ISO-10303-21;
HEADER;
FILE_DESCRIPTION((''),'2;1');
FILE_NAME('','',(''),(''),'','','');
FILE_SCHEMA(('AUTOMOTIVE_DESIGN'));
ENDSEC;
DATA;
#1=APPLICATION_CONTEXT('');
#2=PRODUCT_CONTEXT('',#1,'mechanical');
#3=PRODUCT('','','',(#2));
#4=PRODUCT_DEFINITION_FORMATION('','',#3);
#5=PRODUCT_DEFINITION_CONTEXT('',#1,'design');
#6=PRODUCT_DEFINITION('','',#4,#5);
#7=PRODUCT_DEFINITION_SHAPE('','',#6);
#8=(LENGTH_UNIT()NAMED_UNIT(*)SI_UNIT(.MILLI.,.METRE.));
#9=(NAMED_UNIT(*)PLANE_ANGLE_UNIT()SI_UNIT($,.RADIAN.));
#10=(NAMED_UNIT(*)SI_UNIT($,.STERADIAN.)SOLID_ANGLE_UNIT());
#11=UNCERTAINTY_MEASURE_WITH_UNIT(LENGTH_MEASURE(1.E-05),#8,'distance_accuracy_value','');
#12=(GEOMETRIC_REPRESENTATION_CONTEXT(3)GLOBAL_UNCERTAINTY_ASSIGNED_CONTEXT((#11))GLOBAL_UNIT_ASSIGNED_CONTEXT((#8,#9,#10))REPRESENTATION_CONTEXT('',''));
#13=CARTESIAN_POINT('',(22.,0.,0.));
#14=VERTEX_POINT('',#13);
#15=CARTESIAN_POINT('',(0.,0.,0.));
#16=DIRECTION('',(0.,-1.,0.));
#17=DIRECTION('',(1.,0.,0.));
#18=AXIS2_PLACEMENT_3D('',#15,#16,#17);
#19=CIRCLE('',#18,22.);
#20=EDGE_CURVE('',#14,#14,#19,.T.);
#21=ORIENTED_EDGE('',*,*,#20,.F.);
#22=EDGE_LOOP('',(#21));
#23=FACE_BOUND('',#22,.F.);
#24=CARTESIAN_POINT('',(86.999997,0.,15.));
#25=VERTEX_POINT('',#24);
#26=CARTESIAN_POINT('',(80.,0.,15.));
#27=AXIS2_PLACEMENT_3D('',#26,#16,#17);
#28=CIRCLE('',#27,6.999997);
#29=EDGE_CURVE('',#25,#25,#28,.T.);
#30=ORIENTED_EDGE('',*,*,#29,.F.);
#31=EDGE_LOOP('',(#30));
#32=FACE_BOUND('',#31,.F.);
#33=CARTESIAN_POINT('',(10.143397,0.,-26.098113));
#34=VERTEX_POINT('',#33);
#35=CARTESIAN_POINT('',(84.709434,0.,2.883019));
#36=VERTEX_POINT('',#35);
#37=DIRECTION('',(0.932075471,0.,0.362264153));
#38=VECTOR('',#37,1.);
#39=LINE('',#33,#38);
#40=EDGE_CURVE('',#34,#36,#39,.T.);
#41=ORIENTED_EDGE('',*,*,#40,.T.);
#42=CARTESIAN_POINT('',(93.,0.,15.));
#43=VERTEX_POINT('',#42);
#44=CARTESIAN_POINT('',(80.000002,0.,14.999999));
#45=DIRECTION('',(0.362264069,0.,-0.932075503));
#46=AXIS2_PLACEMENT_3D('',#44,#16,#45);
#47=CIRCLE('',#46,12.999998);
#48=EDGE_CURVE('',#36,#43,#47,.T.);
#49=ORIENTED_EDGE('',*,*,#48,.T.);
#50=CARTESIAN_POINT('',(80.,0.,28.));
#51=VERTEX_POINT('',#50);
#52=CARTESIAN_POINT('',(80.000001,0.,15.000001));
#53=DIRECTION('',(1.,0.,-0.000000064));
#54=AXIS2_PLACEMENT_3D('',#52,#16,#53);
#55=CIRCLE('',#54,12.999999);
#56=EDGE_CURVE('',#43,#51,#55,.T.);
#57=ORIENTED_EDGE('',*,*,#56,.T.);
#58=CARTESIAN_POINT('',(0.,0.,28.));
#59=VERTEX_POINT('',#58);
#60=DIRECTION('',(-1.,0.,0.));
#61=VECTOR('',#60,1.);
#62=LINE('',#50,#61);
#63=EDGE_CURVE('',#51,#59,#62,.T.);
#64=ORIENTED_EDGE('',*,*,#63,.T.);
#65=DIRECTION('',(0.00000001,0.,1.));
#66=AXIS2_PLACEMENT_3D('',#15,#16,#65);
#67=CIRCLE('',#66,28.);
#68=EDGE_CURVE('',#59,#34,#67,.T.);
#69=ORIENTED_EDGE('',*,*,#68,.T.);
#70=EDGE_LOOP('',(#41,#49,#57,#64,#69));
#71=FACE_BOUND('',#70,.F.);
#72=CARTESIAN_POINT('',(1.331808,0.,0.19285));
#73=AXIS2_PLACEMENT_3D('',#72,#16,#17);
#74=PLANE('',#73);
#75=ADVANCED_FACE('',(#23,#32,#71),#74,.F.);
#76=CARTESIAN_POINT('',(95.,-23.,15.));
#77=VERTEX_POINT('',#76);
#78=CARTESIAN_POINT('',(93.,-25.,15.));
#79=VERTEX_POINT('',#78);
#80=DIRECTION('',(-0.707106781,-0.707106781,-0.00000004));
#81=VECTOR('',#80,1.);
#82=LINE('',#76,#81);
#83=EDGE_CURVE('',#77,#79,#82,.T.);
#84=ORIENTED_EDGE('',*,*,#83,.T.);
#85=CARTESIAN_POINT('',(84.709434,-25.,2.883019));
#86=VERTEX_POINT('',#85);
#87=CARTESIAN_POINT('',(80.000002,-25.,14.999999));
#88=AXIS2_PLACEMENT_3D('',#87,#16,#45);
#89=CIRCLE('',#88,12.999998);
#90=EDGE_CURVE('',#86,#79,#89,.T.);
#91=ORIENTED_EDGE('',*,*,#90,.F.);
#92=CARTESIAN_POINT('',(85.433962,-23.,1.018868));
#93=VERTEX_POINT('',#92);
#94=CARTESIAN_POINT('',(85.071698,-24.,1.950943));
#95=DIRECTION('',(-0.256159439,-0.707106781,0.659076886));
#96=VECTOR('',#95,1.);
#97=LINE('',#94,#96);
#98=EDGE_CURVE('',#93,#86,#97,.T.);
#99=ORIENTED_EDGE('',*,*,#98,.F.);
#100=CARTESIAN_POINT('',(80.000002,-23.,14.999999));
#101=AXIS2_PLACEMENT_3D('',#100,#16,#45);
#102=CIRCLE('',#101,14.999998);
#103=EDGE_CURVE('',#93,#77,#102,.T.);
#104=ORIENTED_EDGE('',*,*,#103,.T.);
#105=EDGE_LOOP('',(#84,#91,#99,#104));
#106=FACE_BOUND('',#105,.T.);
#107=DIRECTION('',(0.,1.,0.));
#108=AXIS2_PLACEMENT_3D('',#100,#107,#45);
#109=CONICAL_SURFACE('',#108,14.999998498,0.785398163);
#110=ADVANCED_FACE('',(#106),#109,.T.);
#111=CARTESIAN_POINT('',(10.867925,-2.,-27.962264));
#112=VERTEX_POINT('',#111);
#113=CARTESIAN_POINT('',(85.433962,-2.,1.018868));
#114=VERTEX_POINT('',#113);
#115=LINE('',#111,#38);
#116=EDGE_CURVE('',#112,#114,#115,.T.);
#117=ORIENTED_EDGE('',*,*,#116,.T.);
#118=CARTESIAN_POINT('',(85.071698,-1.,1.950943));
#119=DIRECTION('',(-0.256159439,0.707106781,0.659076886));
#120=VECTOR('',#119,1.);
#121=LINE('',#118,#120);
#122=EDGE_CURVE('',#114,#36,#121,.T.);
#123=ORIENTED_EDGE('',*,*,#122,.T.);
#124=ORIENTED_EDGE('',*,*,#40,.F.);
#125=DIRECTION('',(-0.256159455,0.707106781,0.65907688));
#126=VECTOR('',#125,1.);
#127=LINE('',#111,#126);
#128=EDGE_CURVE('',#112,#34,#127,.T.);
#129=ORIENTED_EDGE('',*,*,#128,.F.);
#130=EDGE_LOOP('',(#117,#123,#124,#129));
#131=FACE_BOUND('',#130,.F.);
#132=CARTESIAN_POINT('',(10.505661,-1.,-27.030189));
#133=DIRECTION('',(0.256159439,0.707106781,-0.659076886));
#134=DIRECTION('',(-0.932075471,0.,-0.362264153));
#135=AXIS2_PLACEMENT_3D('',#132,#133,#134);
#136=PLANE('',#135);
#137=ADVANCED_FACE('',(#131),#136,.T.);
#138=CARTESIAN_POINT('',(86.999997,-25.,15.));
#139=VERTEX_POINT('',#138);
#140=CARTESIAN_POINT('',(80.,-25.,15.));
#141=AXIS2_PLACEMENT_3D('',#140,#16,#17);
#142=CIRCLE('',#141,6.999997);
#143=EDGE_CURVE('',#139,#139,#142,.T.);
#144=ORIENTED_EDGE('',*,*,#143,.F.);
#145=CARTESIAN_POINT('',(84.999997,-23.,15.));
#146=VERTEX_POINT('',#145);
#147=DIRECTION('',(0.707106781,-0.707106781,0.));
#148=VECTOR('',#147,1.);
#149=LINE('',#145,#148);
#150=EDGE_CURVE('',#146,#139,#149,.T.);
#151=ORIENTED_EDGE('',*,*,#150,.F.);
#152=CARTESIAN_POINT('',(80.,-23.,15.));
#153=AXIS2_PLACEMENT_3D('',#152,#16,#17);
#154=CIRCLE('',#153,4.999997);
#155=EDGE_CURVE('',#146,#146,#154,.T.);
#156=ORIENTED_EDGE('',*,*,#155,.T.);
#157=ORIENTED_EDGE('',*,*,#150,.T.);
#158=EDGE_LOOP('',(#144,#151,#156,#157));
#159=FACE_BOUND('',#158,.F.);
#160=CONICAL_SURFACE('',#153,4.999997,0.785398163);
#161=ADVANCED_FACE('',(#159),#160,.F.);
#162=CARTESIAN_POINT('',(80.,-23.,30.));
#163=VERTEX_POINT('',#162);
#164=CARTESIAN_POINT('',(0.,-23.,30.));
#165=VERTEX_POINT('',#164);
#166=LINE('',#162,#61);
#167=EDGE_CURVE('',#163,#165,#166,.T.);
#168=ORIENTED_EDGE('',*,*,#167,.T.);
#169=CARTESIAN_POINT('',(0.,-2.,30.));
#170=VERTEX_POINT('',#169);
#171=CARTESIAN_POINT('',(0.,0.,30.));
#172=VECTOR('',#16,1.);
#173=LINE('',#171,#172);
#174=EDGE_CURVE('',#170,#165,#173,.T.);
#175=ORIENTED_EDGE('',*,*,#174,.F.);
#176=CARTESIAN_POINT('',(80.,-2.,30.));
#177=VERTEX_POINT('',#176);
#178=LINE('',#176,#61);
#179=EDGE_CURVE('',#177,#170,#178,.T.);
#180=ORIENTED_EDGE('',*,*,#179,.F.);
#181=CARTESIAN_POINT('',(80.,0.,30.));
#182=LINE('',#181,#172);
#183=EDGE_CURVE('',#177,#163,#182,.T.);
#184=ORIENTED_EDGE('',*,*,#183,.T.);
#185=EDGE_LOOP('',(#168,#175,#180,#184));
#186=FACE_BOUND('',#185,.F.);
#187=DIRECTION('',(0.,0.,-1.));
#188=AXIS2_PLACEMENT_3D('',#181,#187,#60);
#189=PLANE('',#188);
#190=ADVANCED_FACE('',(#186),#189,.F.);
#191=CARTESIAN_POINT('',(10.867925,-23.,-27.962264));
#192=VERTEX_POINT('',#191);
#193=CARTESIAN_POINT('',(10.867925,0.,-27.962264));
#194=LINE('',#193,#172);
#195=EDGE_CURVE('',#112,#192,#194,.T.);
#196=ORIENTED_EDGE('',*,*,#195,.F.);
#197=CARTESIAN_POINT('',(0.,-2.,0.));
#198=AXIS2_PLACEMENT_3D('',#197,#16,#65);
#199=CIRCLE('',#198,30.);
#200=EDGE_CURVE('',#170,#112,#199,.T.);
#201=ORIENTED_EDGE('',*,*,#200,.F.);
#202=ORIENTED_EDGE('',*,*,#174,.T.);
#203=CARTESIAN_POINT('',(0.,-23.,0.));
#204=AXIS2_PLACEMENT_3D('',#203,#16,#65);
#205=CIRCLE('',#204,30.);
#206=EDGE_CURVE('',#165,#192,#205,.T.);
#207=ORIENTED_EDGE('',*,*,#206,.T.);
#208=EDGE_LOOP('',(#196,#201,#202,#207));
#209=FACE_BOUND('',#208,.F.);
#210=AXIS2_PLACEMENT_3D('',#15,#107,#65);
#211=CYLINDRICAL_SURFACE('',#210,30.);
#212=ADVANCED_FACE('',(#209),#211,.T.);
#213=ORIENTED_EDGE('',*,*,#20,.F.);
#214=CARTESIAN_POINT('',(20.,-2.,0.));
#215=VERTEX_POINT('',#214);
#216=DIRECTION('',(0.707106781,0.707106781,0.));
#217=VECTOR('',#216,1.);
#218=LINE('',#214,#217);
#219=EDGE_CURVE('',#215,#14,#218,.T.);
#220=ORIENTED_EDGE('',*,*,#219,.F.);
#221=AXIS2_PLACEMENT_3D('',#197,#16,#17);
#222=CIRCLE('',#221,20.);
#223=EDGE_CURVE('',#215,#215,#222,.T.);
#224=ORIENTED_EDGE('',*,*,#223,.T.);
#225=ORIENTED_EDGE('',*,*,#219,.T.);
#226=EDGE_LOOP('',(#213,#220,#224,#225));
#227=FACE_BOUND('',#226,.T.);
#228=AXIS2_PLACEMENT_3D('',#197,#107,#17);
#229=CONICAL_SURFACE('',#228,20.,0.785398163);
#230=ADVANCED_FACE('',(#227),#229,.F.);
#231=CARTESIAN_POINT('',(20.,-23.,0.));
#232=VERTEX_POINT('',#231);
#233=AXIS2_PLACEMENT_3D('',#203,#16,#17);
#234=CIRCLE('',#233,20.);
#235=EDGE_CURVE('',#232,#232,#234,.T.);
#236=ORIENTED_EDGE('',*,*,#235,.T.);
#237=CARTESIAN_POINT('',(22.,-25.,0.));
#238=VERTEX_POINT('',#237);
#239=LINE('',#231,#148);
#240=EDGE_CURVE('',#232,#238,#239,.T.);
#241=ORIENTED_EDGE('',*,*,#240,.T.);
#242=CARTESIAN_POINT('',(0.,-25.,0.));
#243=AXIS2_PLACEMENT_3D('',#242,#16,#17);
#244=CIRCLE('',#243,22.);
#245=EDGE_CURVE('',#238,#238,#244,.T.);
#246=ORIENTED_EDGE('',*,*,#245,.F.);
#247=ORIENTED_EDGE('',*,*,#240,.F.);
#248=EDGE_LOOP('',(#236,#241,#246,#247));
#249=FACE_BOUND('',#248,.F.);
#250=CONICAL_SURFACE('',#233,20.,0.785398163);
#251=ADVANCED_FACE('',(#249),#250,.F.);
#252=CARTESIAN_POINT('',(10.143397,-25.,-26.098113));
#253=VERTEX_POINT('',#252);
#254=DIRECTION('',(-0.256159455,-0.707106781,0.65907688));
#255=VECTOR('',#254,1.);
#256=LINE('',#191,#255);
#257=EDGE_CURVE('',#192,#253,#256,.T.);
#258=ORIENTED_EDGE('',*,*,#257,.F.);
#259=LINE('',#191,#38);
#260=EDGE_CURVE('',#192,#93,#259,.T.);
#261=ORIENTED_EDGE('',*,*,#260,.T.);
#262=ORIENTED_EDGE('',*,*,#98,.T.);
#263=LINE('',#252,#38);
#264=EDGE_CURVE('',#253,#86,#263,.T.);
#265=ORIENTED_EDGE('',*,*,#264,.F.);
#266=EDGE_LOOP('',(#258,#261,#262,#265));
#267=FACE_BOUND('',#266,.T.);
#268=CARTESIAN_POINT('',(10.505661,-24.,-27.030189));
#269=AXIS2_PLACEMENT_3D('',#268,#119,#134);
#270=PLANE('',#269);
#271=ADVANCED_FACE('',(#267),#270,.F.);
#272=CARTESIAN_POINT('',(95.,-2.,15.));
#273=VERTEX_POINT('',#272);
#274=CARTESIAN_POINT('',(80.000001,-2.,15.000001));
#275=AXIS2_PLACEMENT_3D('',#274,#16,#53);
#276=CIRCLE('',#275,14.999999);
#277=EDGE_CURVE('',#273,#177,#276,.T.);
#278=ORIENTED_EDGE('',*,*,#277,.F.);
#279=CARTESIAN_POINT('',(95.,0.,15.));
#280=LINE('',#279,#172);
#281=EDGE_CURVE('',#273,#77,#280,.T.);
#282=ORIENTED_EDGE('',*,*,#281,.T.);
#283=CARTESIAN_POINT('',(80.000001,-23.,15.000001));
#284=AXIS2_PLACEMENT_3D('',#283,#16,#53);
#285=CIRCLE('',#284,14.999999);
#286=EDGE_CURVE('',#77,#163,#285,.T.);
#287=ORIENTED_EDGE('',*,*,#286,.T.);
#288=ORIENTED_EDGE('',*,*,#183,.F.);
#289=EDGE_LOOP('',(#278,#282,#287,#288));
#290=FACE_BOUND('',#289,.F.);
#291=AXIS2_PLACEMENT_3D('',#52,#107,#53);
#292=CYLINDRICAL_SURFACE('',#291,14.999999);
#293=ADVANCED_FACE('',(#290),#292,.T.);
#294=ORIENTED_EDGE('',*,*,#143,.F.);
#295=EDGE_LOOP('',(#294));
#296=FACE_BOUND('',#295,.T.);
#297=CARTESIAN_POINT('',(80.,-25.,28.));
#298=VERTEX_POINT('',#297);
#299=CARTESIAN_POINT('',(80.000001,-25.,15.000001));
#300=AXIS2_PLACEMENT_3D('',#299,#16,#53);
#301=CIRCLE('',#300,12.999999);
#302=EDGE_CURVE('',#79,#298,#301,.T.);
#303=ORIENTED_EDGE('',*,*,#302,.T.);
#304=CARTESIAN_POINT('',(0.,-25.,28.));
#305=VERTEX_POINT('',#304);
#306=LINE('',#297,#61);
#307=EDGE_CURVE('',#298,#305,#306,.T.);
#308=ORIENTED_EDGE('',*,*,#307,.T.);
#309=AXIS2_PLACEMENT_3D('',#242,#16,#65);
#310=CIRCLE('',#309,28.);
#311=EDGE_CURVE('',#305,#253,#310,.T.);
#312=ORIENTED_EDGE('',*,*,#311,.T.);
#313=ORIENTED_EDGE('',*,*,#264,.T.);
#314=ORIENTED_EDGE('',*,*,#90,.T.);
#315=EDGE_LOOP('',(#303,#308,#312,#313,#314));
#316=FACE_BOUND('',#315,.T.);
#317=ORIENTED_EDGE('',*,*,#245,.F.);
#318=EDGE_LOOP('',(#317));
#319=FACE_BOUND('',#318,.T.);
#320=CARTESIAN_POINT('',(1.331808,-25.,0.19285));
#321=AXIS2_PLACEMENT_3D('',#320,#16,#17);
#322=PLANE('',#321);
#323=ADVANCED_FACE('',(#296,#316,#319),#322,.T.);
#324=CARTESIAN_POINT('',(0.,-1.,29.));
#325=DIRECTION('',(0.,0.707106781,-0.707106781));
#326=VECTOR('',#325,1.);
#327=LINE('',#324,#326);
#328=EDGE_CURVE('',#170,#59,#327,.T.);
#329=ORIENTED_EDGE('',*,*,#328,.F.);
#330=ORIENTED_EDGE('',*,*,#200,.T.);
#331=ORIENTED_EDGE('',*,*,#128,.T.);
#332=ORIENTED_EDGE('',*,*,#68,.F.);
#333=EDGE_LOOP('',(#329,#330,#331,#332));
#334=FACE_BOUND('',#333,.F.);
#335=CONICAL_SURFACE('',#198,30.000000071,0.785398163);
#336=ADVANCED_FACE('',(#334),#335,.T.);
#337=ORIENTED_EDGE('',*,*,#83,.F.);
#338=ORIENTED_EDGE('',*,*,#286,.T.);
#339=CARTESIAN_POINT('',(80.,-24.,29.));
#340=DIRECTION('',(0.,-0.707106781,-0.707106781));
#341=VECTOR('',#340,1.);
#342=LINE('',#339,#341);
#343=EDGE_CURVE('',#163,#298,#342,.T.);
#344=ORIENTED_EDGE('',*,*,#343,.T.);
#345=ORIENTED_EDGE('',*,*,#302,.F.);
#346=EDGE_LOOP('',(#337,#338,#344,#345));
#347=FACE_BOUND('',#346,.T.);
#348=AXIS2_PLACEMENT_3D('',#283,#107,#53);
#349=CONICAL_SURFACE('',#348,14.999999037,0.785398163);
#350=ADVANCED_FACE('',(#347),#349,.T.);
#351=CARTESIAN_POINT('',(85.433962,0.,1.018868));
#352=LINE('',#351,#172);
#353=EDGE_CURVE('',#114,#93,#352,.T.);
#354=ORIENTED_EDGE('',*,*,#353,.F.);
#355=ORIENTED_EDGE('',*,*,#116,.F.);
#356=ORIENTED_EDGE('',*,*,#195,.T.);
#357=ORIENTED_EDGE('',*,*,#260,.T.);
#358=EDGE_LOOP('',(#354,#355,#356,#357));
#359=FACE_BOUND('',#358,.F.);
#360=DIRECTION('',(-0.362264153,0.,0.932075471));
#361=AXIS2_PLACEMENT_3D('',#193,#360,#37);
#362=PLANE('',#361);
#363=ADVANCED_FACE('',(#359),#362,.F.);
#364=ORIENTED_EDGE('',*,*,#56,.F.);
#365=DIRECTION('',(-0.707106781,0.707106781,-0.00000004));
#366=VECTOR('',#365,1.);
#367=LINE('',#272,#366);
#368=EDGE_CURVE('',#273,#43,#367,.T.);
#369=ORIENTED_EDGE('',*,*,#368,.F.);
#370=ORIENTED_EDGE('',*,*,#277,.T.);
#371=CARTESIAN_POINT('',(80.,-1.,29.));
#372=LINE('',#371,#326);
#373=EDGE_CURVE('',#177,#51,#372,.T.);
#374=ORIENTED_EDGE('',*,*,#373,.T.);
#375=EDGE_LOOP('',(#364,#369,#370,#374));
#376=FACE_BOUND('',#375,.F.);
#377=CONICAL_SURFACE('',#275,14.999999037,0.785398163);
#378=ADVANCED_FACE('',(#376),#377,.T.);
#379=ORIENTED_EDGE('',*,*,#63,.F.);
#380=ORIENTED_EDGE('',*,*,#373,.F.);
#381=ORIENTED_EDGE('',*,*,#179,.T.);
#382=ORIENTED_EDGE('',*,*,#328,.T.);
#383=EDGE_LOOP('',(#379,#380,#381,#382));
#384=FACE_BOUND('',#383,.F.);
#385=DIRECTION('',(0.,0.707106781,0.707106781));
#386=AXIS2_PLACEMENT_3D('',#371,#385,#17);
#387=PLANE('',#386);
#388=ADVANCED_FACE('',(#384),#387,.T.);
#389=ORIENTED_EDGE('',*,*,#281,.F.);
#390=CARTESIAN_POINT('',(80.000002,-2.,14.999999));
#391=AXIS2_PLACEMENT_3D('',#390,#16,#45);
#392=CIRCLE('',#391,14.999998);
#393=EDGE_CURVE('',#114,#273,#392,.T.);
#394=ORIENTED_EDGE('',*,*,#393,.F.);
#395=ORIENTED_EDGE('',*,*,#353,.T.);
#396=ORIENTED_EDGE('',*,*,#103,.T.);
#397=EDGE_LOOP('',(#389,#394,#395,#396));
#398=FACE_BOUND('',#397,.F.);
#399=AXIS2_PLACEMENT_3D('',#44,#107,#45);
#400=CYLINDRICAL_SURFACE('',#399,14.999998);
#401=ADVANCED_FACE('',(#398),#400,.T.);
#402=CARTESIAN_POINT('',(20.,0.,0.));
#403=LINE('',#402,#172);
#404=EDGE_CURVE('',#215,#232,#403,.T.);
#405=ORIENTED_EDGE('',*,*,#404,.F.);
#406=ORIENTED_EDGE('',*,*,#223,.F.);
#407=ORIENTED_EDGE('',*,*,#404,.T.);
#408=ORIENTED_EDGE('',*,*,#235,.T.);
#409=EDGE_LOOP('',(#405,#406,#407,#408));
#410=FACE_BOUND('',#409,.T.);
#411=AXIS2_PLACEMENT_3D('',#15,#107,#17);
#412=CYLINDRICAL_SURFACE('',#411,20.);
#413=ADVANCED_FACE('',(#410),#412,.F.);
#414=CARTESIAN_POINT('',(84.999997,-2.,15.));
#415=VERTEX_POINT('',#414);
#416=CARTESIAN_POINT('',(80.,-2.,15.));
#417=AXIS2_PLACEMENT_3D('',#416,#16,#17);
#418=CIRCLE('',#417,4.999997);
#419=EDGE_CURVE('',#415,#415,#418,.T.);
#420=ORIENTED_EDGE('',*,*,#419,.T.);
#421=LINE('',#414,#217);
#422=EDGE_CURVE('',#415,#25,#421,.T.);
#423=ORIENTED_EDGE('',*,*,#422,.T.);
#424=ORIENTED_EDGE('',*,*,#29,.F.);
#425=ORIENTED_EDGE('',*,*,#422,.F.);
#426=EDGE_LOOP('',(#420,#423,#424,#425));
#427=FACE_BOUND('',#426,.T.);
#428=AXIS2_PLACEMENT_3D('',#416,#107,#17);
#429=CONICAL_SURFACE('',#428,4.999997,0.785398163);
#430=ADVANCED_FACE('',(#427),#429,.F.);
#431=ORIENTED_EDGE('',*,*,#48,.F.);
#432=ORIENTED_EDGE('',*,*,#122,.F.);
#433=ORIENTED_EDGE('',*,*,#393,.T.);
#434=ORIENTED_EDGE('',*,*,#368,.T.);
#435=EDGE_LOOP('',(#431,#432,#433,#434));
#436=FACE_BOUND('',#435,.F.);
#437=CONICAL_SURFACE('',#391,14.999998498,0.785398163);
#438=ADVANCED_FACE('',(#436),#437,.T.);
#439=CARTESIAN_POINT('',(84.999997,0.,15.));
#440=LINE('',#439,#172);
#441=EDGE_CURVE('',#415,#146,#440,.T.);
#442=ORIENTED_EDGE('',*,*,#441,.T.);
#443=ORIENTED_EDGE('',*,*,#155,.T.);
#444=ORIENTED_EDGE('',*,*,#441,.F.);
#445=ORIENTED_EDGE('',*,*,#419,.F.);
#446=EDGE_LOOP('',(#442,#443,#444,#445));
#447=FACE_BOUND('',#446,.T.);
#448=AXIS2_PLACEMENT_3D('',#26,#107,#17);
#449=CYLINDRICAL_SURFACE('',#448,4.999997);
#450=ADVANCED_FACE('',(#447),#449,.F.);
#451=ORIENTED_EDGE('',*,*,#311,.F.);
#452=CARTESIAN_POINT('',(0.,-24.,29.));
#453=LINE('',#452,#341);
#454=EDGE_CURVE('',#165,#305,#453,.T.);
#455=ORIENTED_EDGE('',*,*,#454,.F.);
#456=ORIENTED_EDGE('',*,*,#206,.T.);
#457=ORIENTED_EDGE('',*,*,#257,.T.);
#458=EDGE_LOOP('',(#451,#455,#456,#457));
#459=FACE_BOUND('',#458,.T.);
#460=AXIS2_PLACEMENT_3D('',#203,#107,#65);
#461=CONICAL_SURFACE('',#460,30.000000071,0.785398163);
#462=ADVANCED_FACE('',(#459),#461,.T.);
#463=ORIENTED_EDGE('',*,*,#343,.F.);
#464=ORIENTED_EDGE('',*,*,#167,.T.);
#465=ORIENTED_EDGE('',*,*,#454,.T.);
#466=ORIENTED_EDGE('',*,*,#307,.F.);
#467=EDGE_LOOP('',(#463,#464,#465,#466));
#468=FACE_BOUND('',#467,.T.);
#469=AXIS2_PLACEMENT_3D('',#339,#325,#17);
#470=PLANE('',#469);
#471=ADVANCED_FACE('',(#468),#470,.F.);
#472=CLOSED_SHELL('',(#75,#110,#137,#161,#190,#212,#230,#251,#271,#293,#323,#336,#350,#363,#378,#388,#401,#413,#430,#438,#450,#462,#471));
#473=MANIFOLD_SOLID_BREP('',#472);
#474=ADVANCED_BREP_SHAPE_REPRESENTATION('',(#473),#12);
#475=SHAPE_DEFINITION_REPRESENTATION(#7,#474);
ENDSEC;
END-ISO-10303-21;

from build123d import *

# Parameters (mm, degrees)
F0_R     = 20
F0_R_2   = 4.999997
F1_DEPTH = 25
F2_SIZE  = 2


with BuildPart() as f1:
    # F0 (on Front) → F1 (new body)
    with BuildSketch(Plane.XZ):
        with BuildLine():
            ThreePointArc((10.867925, -27.962264), (24.759218, -16.940517), (30, 0))
            ThreePointArc((30, 0), (21.213203, 21.213203), (0, 30))
            ThreePointArc((0, 30), (-29.486166, -5.528656), (10.867925, -27.962264))
        make_face()
        Circle(F0_R, mode=Mode.SUBTRACT)
        with BuildLine():
            ThreePointArc((0, 30), (21.213203, 21.213203), (30, 0))
            ThreePointArc((30, 0), (24.759218, -16.940517), (10.867925, -27.962264))
            Line((10.867925, -27.962264), (85.433962, 1.018868))
            ThreePointArc((85.433962, 1.018868), (65.256917, 12.235672), (80, 30))
            Line((80, 30), (0, 30))
        make_face()
        with BuildLine():
            ThreePointArc((95, 15), (90.606602, 25.606602), (80, 30))
            ThreePointArc((80, 30), (65.256917, 12.235672), (85.433962, 1.018868))
            ThreePointArc((85.433962, 1.018868), (92.379609, 6.529741), (95, 15))
        make_face()
        with Locations((80, 15)):
            Circle(F0_R_2, mode=Mode.SUBTRACT)
    extrude(amount=F1_DEPTH)

    # F2
    f2_edges = [f1.edges().sort_by_distance(p)[0] for p in [
        (-20, -25, 0),
        (75.000003, -25, 15),
        (-20, 0, 0),
        (75.000003, 0, 15),
        (40, 0, 30),
        (40, -25, 30),
    ]]
    chamfer(f2_edges, length=F2_SIZE)


solid = f1.part
